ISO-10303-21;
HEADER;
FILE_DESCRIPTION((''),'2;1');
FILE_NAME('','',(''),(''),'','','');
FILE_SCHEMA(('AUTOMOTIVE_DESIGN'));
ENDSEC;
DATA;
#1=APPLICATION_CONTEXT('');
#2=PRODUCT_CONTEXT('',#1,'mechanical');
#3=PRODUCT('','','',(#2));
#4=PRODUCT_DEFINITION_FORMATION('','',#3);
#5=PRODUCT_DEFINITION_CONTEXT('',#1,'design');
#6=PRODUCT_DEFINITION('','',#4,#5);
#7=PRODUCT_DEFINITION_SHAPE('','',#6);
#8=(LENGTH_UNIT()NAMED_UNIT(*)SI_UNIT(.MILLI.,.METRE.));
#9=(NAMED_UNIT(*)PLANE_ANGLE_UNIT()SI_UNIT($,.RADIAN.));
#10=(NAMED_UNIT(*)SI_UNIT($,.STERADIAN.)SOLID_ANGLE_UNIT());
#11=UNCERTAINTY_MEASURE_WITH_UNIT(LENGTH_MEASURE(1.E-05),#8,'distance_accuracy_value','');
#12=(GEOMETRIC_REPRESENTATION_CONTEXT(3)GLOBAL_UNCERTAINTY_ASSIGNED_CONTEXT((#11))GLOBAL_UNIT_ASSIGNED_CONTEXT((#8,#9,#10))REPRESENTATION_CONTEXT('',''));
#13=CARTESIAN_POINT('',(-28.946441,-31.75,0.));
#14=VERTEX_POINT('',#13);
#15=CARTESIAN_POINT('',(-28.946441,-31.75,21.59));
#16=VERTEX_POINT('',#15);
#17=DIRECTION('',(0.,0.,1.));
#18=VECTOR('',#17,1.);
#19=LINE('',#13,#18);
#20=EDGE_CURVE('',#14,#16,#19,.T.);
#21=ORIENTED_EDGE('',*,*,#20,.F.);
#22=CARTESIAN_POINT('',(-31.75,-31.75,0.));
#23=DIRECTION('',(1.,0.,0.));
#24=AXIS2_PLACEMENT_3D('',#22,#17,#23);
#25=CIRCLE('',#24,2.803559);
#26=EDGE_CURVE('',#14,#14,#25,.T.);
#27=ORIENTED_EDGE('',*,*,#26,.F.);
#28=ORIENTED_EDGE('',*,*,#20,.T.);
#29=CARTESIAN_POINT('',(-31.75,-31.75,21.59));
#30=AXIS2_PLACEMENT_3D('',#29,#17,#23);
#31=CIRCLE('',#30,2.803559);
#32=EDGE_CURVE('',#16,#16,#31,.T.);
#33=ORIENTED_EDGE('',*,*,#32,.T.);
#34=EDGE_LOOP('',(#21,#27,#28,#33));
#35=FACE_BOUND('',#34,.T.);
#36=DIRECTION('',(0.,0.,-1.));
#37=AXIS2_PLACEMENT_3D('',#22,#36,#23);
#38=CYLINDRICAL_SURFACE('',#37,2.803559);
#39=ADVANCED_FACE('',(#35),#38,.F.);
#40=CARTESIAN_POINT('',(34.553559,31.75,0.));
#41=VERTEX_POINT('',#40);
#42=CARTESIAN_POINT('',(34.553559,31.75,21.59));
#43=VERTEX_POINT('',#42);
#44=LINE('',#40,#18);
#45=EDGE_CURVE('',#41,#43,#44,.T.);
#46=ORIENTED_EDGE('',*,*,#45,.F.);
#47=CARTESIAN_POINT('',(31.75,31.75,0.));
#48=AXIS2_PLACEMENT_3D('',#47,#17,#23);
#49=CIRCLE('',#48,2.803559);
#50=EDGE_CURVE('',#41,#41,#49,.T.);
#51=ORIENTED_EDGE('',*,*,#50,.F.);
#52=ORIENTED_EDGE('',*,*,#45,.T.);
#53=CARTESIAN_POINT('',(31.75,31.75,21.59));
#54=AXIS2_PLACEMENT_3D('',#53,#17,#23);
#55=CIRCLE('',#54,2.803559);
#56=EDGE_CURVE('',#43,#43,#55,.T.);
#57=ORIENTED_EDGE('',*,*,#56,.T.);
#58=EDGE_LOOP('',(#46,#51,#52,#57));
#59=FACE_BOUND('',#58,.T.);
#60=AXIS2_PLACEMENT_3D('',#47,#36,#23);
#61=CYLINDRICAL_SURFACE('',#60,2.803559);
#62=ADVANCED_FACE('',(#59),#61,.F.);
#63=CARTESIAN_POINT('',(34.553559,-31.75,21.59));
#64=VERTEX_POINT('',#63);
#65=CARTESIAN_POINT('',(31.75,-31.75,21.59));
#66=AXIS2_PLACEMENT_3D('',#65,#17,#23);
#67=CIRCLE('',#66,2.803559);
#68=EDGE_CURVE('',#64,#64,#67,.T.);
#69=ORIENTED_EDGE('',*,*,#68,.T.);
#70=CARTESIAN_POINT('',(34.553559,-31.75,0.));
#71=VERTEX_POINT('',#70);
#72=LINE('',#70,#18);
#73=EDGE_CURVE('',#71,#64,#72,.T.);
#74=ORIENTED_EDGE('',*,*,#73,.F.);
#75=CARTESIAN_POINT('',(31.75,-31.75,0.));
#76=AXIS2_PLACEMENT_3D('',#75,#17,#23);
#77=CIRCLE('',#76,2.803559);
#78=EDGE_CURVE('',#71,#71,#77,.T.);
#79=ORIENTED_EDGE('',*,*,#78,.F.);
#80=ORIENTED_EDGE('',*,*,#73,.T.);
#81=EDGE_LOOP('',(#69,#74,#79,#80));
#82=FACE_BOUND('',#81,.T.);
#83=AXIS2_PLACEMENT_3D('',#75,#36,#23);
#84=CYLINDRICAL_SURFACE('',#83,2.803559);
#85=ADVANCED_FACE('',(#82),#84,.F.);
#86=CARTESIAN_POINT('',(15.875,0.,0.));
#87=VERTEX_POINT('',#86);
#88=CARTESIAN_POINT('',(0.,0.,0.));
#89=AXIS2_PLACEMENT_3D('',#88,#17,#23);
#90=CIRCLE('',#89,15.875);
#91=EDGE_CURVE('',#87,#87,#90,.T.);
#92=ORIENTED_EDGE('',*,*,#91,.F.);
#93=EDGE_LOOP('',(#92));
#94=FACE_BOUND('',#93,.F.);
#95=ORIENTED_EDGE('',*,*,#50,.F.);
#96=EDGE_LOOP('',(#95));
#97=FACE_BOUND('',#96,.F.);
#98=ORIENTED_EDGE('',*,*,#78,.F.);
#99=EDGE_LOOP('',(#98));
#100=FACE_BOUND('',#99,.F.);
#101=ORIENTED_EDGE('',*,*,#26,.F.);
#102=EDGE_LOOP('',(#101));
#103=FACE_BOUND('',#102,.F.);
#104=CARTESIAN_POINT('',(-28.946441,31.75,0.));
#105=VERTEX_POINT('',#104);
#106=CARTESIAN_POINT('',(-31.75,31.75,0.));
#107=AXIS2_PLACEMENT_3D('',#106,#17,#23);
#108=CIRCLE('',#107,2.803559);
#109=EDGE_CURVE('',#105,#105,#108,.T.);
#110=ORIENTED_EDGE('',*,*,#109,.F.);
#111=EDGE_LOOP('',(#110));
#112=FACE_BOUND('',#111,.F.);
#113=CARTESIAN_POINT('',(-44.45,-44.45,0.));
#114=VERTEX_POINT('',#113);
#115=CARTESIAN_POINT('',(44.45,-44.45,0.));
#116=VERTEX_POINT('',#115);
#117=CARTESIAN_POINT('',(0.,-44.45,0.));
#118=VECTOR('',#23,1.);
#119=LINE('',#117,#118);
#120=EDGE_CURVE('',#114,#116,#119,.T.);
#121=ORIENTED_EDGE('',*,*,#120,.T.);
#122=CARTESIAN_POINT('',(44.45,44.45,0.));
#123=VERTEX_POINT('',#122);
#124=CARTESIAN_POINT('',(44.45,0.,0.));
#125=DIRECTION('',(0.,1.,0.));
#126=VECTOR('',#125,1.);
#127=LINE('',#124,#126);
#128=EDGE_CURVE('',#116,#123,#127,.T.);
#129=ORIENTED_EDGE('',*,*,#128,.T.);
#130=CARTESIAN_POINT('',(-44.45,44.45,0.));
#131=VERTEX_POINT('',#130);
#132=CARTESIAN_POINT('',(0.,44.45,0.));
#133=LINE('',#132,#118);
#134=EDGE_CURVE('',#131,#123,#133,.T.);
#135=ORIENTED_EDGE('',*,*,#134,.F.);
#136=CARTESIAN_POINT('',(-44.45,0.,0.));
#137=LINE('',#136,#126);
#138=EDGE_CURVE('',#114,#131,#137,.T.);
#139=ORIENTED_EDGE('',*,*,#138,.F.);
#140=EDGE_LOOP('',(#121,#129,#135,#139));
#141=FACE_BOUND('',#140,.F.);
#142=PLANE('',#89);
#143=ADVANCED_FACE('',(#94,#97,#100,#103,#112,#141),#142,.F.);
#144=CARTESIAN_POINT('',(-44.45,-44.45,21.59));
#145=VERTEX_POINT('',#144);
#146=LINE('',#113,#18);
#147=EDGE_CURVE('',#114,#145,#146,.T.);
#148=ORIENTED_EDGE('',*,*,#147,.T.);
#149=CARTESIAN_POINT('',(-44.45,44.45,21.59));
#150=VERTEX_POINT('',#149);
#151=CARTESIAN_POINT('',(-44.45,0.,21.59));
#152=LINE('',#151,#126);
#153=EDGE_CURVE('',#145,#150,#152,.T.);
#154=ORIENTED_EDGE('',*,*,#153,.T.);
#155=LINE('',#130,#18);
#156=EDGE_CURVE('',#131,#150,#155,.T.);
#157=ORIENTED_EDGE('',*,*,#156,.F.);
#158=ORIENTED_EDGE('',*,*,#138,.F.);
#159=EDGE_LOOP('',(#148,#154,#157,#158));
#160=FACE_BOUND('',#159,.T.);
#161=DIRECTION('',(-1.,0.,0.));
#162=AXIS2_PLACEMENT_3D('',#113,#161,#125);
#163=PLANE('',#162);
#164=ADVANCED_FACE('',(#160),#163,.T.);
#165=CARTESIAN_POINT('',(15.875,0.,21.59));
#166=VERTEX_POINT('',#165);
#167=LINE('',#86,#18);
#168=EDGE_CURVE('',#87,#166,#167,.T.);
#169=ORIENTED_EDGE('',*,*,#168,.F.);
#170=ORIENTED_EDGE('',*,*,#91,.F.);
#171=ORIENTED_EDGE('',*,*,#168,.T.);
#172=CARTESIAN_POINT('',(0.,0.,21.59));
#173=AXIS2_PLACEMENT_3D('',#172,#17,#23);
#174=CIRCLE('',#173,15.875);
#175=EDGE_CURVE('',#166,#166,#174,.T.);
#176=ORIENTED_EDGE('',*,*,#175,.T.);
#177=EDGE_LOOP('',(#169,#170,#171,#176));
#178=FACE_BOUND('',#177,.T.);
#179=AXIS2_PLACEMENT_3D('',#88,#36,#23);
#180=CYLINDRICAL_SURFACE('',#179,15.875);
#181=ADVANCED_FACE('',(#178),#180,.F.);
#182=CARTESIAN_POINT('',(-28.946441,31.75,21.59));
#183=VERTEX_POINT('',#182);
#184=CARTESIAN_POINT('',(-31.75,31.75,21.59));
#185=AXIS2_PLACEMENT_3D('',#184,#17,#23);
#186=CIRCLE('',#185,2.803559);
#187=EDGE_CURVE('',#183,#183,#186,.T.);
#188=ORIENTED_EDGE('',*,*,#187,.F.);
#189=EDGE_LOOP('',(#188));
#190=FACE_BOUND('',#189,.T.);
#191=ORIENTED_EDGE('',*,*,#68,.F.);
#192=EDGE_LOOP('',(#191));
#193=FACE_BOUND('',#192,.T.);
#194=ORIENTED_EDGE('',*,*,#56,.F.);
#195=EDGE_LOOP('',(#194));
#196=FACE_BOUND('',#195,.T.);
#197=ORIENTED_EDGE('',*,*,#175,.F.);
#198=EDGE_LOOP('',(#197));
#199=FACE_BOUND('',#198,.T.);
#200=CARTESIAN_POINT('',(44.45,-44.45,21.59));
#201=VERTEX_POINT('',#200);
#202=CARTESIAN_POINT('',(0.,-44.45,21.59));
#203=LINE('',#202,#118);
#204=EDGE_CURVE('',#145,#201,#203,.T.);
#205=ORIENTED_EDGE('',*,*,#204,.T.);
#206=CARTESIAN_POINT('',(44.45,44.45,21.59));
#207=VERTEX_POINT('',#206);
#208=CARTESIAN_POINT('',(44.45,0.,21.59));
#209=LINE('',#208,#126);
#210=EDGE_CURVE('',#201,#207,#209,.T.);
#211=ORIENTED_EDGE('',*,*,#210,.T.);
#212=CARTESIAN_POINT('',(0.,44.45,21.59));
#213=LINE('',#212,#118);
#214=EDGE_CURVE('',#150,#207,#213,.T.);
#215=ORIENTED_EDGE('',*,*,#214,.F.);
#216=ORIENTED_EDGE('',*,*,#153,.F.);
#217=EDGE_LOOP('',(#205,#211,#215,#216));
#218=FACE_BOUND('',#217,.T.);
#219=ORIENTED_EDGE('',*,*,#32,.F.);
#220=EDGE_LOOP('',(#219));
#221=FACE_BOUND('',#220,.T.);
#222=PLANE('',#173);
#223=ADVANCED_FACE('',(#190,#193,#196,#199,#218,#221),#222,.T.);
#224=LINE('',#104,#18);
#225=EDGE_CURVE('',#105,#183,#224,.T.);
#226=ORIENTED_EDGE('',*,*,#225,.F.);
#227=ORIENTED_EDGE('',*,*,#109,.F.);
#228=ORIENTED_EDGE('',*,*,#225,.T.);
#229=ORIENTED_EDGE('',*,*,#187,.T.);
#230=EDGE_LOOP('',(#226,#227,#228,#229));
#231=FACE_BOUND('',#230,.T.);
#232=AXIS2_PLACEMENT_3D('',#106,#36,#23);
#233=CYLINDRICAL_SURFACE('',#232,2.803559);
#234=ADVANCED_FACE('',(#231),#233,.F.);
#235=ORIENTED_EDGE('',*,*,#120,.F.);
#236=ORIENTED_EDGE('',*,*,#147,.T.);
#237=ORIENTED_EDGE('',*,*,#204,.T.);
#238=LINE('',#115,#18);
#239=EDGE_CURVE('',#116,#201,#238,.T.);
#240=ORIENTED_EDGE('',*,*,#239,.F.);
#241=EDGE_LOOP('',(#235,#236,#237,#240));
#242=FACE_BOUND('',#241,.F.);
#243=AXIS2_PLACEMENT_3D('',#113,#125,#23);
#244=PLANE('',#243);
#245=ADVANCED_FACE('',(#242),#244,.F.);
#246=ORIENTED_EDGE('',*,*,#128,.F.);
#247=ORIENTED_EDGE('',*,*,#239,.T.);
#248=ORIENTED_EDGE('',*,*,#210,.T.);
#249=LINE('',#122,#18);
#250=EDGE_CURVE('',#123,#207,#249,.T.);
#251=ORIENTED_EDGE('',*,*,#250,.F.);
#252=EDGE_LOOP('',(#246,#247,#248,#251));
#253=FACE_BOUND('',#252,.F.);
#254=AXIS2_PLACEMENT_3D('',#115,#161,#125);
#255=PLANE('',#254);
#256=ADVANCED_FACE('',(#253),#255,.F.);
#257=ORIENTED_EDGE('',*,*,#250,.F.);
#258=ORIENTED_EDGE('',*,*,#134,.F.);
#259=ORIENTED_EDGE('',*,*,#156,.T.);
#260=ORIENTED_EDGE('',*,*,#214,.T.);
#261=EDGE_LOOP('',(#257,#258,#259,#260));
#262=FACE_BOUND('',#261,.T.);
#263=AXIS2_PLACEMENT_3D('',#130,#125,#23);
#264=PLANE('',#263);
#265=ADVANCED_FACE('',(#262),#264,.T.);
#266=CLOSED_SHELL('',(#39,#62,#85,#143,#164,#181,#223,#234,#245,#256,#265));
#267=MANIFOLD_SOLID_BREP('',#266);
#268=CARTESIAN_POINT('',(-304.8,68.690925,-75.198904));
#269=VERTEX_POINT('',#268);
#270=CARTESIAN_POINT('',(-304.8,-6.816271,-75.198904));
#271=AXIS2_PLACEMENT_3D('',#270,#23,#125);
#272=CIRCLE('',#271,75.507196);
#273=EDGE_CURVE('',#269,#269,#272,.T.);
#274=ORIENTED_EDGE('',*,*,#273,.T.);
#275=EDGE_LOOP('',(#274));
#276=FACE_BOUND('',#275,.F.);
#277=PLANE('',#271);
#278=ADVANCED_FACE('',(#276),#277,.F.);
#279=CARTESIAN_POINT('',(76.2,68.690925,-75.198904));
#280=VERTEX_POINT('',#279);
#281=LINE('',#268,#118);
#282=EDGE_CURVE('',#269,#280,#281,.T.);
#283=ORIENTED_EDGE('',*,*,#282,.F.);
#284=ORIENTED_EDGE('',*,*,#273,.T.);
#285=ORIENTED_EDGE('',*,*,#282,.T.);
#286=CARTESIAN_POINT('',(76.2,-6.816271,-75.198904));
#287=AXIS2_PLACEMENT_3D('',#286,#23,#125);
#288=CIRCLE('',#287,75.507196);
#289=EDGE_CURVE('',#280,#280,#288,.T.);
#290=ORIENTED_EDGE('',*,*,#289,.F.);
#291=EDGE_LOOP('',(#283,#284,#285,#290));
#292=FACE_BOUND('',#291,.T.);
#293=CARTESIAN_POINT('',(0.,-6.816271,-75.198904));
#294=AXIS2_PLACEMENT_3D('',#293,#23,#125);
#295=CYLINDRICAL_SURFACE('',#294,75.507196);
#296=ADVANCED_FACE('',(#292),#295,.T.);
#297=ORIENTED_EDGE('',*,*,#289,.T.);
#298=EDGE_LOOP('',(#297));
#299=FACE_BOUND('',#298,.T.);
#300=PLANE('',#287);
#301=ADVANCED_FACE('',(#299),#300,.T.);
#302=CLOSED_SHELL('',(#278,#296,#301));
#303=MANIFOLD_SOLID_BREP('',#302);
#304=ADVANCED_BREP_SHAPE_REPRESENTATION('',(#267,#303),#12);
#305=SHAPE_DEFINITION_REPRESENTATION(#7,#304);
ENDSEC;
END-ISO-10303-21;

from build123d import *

# Parameters (mm, degrees)
F0_W          = 88.9
F0_H          = 88.9
F0_R          = 2.803559
F0_R_2        = 15.875
F1_DEPTH      = 21.59
F2_R          = 75.507196
F3_DEPTH      = 76.2
F3_DEPTH_BACK = 304.8


with BuildPart() as f1:
    # F0 (on Top) → F1 (new body)
    with BuildSketch(Plane.XY):
        Rectangle(F0_W, F0_H)
        with Locations((-31.75, -31.75)):
            Circle(F0_R, mode=Mode.SUBTRACT)
        with Locations((31.75, -31.75)):
            Circle(F0_R, mode=Mode.SUBTRACT)
        with Locations((-31.75, 31.75)):
            Circle(F0_R, mode=Mode.SUBTRACT)
        Circle(F0_R_2, mode=Mode.SUBTRACT)
        with Locations((31.75, 31.75)):
            Circle(F0_R, mode=Mode.SUBTRACT)
    extrude(amount=F1_DEPTH)


with BuildPart() as f3:
    # F2 (on Right) → F3 (new body, two sides)
    with BuildSketch(Plane.YZ) as f3_sk:
        with Locations((-6.816271, -75.198904)):
            Circle(F2_R)
    extrude(amount=F3_DEPTH)
    extrude(f3_sk.sketch, amount=-F3_DEPTH_BACK)


solid = Compound([f1.part, f3.part])
